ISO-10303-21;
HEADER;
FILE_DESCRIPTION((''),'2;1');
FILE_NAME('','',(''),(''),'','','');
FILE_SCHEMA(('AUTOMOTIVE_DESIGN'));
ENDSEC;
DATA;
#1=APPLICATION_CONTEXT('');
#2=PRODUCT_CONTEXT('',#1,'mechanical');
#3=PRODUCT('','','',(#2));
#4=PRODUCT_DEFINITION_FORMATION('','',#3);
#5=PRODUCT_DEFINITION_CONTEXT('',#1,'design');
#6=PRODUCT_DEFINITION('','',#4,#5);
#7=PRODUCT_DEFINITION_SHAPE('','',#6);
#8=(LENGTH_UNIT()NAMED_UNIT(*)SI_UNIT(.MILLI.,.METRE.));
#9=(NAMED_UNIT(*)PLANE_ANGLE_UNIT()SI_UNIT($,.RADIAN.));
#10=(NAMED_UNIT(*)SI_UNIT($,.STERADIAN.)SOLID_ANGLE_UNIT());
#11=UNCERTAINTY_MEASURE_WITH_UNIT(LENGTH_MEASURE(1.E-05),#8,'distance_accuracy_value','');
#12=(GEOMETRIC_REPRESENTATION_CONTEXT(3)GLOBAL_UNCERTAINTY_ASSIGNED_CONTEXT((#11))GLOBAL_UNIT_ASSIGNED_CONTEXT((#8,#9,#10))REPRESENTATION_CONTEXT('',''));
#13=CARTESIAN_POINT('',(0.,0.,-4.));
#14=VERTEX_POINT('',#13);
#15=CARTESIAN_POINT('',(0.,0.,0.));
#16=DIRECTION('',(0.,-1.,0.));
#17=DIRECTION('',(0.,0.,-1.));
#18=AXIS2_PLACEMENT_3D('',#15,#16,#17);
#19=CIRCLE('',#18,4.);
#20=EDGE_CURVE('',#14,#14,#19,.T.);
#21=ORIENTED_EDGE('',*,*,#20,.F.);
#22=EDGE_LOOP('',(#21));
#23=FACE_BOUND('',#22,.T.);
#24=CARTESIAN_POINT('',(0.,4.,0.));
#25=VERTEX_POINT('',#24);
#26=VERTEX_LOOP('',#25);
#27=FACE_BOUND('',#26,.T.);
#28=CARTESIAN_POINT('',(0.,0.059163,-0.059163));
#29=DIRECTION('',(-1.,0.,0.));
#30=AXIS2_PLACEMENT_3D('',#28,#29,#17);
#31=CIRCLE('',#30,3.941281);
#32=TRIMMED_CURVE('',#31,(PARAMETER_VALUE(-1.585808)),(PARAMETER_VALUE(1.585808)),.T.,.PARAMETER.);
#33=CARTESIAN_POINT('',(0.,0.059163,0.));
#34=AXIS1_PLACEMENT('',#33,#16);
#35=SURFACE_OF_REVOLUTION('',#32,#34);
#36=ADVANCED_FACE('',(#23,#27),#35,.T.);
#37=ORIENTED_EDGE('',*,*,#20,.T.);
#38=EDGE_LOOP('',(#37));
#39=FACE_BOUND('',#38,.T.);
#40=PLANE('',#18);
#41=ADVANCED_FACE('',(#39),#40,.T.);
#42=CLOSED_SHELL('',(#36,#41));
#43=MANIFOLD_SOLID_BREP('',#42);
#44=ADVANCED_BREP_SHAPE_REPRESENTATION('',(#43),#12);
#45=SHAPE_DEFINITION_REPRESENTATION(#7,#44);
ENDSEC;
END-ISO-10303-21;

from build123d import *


with BuildPart() as part:
    # Sketch1 → Revolve1 (revolve)
    with BuildSketch(Plane.XY):
        with BuildLine():
            Line((0, 0), (0, 4))
            ThreePointArc((0, 4), (2.846069593, 2.846069593), (4, 0))
            Line((4, 0), (0, 0))
        make_face()
    revolve(axis=Axis((0, 0, 0), (0, 1, 0)))


solid = part.part
